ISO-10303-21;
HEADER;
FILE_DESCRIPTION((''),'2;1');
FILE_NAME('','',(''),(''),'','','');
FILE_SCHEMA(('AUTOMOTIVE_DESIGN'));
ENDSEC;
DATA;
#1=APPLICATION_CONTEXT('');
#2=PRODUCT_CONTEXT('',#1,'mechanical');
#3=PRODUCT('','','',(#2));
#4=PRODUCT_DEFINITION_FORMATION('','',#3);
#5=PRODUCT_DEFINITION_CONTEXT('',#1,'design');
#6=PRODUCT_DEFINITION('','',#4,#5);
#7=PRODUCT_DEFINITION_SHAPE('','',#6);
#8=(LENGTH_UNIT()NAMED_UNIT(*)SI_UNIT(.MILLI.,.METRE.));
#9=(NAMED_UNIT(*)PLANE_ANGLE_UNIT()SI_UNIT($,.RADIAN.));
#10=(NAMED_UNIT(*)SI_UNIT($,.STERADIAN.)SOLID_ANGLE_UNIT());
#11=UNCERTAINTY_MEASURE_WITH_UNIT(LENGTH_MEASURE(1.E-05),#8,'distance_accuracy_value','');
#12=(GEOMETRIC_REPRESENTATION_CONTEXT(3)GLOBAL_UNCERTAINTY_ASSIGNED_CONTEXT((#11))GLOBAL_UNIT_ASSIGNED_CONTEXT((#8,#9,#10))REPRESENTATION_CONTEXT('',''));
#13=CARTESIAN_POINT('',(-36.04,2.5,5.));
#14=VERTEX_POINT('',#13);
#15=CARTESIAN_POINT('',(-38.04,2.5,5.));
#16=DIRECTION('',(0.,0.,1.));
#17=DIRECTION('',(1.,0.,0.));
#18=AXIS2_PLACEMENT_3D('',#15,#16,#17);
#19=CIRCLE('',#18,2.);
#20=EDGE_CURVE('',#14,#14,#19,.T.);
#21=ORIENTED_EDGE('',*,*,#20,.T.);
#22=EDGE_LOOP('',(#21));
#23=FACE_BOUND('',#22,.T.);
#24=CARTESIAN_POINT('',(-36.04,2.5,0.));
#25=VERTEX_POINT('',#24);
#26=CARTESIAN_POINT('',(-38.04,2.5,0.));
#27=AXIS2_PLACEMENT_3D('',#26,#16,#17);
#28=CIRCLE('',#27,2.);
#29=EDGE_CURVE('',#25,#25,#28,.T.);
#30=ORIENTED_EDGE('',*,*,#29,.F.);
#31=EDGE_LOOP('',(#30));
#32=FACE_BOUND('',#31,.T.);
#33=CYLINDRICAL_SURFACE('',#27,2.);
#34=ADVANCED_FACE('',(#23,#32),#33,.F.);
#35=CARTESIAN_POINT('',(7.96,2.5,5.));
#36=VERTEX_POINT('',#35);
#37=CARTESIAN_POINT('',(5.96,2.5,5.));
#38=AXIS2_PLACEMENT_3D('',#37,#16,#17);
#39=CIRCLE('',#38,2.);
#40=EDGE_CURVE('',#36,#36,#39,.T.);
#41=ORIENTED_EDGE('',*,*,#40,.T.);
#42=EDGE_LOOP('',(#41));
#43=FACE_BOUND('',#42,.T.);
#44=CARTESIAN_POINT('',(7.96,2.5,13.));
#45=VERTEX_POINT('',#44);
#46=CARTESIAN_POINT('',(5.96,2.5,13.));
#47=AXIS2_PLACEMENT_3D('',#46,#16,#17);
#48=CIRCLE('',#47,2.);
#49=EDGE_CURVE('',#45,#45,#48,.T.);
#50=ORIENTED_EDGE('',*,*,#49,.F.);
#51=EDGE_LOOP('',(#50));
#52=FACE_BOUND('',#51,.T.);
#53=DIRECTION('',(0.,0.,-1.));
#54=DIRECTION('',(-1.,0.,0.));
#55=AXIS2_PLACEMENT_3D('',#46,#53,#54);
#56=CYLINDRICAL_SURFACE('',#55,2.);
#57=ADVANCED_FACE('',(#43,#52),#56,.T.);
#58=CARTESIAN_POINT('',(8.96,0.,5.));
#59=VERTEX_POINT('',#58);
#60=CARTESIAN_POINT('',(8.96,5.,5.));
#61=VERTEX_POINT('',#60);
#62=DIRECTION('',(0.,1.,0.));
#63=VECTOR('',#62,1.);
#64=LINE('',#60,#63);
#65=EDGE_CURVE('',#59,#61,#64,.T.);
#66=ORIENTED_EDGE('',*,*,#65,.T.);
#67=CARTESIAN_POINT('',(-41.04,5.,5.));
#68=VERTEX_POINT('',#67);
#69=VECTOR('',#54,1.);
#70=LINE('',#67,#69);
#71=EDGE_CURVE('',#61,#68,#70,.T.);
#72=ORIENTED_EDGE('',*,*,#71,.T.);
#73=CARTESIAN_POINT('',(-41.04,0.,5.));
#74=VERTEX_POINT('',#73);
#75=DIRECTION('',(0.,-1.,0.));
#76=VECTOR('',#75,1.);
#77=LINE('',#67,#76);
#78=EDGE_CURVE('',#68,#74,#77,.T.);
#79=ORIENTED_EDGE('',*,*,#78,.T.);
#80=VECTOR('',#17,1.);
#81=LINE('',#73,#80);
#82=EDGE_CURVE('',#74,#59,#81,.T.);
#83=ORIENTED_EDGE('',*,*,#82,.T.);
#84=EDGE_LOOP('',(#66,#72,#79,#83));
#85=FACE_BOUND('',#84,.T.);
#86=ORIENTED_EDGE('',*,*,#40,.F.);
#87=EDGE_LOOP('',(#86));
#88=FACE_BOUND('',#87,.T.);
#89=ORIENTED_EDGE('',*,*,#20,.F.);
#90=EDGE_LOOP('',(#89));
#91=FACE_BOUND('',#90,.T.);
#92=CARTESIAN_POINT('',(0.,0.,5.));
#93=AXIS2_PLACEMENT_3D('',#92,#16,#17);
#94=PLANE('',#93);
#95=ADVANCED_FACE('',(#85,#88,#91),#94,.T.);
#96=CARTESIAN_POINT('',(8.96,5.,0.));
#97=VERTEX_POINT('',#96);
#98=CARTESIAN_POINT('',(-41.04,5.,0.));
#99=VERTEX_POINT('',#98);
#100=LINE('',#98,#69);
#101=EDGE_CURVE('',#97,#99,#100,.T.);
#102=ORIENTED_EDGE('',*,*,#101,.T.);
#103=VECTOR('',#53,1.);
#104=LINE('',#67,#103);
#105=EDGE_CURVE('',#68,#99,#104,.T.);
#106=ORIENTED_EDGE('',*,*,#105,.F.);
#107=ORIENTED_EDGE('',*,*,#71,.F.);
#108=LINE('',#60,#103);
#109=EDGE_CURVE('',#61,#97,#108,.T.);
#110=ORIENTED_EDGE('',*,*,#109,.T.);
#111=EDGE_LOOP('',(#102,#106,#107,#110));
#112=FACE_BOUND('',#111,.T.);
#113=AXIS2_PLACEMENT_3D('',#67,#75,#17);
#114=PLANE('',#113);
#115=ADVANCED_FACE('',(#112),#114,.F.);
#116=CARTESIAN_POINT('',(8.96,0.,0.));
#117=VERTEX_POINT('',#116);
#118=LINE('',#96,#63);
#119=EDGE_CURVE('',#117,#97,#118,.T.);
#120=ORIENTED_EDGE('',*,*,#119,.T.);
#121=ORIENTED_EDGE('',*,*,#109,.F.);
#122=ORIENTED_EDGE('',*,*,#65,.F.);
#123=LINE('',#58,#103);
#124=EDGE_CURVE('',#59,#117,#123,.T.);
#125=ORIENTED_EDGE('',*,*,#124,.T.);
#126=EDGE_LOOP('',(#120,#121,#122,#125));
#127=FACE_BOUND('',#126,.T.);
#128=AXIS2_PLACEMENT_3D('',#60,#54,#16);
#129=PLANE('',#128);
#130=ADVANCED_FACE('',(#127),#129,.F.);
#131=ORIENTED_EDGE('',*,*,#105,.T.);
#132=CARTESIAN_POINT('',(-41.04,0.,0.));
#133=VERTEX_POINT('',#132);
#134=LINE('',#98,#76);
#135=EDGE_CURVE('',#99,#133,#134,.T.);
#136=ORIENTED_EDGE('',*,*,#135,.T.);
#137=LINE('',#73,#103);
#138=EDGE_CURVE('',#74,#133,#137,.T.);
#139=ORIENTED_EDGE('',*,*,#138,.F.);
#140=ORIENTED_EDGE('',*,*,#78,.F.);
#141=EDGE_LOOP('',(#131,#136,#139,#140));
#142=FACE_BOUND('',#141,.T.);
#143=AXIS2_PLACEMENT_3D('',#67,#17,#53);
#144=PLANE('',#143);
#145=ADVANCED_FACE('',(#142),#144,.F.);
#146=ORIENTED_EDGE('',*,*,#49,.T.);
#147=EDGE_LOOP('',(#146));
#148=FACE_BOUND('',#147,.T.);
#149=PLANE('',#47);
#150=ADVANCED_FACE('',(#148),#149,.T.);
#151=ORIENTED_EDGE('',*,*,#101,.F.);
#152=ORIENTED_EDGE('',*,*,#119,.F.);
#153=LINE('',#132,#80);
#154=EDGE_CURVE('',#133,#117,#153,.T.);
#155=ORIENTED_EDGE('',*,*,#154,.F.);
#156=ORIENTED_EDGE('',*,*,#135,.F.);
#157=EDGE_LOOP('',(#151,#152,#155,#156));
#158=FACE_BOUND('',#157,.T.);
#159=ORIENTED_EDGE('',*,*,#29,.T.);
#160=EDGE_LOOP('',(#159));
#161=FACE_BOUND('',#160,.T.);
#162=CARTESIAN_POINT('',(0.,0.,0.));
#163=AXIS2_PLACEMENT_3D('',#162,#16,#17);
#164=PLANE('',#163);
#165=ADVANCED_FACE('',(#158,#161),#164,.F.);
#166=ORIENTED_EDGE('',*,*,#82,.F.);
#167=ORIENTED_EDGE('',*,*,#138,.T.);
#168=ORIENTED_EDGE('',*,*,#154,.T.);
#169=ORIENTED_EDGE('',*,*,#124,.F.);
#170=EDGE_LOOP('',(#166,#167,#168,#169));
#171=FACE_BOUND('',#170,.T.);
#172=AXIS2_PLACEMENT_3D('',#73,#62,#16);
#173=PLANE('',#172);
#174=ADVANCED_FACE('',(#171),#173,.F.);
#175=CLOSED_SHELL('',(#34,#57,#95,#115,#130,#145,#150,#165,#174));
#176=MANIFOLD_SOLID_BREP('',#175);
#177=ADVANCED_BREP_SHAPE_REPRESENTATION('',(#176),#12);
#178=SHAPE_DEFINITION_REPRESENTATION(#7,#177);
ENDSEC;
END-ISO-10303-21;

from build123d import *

# Parameters (mm, degrees)
SKETCH_2_W          = 50
SKETCH_2_H          = 5
EXTRUDE_1_DEPTH     = 5
SKETCH_3_R          = 2
CUT_EXTRUDE_1_DEPTH = 5
SKETCH_4_R          = 2
EXTRUDE_2_DEPTH     = 8


with BuildPart() as part:
    # 草图2 → 凸台-拉伸1 (new body)
    with BuildSketch(Plane.XY):
        with Locations((-16.04, 2.5)):
            Rectangle(SKETCH_2_W, SKETCH_2_H)
    extrude(amount=EXTRUDE_1_DEPTH)

    # 草图3 → 切除-拉伸1 (cut)
    with BuildSketch(Plane.XY.offset(5)):
        with Locations((-38.04, 2.5)):
            Circle(SKETCH_3_R)
    extrude(amount=-CUT_EXTRUDE_1_DEPTH, mode=Mode.SUBTRACT)

    # 草图4 → 凸台-拉伸2 (add)
    with BuildSketch(Plane.XY.offset(5)):
        with Locations((5.96, 2.5)):
            Circle(SKETCH_4_R)
    extrude(amount=EXTRUDE_2_DEPTH)


solid = part.part
